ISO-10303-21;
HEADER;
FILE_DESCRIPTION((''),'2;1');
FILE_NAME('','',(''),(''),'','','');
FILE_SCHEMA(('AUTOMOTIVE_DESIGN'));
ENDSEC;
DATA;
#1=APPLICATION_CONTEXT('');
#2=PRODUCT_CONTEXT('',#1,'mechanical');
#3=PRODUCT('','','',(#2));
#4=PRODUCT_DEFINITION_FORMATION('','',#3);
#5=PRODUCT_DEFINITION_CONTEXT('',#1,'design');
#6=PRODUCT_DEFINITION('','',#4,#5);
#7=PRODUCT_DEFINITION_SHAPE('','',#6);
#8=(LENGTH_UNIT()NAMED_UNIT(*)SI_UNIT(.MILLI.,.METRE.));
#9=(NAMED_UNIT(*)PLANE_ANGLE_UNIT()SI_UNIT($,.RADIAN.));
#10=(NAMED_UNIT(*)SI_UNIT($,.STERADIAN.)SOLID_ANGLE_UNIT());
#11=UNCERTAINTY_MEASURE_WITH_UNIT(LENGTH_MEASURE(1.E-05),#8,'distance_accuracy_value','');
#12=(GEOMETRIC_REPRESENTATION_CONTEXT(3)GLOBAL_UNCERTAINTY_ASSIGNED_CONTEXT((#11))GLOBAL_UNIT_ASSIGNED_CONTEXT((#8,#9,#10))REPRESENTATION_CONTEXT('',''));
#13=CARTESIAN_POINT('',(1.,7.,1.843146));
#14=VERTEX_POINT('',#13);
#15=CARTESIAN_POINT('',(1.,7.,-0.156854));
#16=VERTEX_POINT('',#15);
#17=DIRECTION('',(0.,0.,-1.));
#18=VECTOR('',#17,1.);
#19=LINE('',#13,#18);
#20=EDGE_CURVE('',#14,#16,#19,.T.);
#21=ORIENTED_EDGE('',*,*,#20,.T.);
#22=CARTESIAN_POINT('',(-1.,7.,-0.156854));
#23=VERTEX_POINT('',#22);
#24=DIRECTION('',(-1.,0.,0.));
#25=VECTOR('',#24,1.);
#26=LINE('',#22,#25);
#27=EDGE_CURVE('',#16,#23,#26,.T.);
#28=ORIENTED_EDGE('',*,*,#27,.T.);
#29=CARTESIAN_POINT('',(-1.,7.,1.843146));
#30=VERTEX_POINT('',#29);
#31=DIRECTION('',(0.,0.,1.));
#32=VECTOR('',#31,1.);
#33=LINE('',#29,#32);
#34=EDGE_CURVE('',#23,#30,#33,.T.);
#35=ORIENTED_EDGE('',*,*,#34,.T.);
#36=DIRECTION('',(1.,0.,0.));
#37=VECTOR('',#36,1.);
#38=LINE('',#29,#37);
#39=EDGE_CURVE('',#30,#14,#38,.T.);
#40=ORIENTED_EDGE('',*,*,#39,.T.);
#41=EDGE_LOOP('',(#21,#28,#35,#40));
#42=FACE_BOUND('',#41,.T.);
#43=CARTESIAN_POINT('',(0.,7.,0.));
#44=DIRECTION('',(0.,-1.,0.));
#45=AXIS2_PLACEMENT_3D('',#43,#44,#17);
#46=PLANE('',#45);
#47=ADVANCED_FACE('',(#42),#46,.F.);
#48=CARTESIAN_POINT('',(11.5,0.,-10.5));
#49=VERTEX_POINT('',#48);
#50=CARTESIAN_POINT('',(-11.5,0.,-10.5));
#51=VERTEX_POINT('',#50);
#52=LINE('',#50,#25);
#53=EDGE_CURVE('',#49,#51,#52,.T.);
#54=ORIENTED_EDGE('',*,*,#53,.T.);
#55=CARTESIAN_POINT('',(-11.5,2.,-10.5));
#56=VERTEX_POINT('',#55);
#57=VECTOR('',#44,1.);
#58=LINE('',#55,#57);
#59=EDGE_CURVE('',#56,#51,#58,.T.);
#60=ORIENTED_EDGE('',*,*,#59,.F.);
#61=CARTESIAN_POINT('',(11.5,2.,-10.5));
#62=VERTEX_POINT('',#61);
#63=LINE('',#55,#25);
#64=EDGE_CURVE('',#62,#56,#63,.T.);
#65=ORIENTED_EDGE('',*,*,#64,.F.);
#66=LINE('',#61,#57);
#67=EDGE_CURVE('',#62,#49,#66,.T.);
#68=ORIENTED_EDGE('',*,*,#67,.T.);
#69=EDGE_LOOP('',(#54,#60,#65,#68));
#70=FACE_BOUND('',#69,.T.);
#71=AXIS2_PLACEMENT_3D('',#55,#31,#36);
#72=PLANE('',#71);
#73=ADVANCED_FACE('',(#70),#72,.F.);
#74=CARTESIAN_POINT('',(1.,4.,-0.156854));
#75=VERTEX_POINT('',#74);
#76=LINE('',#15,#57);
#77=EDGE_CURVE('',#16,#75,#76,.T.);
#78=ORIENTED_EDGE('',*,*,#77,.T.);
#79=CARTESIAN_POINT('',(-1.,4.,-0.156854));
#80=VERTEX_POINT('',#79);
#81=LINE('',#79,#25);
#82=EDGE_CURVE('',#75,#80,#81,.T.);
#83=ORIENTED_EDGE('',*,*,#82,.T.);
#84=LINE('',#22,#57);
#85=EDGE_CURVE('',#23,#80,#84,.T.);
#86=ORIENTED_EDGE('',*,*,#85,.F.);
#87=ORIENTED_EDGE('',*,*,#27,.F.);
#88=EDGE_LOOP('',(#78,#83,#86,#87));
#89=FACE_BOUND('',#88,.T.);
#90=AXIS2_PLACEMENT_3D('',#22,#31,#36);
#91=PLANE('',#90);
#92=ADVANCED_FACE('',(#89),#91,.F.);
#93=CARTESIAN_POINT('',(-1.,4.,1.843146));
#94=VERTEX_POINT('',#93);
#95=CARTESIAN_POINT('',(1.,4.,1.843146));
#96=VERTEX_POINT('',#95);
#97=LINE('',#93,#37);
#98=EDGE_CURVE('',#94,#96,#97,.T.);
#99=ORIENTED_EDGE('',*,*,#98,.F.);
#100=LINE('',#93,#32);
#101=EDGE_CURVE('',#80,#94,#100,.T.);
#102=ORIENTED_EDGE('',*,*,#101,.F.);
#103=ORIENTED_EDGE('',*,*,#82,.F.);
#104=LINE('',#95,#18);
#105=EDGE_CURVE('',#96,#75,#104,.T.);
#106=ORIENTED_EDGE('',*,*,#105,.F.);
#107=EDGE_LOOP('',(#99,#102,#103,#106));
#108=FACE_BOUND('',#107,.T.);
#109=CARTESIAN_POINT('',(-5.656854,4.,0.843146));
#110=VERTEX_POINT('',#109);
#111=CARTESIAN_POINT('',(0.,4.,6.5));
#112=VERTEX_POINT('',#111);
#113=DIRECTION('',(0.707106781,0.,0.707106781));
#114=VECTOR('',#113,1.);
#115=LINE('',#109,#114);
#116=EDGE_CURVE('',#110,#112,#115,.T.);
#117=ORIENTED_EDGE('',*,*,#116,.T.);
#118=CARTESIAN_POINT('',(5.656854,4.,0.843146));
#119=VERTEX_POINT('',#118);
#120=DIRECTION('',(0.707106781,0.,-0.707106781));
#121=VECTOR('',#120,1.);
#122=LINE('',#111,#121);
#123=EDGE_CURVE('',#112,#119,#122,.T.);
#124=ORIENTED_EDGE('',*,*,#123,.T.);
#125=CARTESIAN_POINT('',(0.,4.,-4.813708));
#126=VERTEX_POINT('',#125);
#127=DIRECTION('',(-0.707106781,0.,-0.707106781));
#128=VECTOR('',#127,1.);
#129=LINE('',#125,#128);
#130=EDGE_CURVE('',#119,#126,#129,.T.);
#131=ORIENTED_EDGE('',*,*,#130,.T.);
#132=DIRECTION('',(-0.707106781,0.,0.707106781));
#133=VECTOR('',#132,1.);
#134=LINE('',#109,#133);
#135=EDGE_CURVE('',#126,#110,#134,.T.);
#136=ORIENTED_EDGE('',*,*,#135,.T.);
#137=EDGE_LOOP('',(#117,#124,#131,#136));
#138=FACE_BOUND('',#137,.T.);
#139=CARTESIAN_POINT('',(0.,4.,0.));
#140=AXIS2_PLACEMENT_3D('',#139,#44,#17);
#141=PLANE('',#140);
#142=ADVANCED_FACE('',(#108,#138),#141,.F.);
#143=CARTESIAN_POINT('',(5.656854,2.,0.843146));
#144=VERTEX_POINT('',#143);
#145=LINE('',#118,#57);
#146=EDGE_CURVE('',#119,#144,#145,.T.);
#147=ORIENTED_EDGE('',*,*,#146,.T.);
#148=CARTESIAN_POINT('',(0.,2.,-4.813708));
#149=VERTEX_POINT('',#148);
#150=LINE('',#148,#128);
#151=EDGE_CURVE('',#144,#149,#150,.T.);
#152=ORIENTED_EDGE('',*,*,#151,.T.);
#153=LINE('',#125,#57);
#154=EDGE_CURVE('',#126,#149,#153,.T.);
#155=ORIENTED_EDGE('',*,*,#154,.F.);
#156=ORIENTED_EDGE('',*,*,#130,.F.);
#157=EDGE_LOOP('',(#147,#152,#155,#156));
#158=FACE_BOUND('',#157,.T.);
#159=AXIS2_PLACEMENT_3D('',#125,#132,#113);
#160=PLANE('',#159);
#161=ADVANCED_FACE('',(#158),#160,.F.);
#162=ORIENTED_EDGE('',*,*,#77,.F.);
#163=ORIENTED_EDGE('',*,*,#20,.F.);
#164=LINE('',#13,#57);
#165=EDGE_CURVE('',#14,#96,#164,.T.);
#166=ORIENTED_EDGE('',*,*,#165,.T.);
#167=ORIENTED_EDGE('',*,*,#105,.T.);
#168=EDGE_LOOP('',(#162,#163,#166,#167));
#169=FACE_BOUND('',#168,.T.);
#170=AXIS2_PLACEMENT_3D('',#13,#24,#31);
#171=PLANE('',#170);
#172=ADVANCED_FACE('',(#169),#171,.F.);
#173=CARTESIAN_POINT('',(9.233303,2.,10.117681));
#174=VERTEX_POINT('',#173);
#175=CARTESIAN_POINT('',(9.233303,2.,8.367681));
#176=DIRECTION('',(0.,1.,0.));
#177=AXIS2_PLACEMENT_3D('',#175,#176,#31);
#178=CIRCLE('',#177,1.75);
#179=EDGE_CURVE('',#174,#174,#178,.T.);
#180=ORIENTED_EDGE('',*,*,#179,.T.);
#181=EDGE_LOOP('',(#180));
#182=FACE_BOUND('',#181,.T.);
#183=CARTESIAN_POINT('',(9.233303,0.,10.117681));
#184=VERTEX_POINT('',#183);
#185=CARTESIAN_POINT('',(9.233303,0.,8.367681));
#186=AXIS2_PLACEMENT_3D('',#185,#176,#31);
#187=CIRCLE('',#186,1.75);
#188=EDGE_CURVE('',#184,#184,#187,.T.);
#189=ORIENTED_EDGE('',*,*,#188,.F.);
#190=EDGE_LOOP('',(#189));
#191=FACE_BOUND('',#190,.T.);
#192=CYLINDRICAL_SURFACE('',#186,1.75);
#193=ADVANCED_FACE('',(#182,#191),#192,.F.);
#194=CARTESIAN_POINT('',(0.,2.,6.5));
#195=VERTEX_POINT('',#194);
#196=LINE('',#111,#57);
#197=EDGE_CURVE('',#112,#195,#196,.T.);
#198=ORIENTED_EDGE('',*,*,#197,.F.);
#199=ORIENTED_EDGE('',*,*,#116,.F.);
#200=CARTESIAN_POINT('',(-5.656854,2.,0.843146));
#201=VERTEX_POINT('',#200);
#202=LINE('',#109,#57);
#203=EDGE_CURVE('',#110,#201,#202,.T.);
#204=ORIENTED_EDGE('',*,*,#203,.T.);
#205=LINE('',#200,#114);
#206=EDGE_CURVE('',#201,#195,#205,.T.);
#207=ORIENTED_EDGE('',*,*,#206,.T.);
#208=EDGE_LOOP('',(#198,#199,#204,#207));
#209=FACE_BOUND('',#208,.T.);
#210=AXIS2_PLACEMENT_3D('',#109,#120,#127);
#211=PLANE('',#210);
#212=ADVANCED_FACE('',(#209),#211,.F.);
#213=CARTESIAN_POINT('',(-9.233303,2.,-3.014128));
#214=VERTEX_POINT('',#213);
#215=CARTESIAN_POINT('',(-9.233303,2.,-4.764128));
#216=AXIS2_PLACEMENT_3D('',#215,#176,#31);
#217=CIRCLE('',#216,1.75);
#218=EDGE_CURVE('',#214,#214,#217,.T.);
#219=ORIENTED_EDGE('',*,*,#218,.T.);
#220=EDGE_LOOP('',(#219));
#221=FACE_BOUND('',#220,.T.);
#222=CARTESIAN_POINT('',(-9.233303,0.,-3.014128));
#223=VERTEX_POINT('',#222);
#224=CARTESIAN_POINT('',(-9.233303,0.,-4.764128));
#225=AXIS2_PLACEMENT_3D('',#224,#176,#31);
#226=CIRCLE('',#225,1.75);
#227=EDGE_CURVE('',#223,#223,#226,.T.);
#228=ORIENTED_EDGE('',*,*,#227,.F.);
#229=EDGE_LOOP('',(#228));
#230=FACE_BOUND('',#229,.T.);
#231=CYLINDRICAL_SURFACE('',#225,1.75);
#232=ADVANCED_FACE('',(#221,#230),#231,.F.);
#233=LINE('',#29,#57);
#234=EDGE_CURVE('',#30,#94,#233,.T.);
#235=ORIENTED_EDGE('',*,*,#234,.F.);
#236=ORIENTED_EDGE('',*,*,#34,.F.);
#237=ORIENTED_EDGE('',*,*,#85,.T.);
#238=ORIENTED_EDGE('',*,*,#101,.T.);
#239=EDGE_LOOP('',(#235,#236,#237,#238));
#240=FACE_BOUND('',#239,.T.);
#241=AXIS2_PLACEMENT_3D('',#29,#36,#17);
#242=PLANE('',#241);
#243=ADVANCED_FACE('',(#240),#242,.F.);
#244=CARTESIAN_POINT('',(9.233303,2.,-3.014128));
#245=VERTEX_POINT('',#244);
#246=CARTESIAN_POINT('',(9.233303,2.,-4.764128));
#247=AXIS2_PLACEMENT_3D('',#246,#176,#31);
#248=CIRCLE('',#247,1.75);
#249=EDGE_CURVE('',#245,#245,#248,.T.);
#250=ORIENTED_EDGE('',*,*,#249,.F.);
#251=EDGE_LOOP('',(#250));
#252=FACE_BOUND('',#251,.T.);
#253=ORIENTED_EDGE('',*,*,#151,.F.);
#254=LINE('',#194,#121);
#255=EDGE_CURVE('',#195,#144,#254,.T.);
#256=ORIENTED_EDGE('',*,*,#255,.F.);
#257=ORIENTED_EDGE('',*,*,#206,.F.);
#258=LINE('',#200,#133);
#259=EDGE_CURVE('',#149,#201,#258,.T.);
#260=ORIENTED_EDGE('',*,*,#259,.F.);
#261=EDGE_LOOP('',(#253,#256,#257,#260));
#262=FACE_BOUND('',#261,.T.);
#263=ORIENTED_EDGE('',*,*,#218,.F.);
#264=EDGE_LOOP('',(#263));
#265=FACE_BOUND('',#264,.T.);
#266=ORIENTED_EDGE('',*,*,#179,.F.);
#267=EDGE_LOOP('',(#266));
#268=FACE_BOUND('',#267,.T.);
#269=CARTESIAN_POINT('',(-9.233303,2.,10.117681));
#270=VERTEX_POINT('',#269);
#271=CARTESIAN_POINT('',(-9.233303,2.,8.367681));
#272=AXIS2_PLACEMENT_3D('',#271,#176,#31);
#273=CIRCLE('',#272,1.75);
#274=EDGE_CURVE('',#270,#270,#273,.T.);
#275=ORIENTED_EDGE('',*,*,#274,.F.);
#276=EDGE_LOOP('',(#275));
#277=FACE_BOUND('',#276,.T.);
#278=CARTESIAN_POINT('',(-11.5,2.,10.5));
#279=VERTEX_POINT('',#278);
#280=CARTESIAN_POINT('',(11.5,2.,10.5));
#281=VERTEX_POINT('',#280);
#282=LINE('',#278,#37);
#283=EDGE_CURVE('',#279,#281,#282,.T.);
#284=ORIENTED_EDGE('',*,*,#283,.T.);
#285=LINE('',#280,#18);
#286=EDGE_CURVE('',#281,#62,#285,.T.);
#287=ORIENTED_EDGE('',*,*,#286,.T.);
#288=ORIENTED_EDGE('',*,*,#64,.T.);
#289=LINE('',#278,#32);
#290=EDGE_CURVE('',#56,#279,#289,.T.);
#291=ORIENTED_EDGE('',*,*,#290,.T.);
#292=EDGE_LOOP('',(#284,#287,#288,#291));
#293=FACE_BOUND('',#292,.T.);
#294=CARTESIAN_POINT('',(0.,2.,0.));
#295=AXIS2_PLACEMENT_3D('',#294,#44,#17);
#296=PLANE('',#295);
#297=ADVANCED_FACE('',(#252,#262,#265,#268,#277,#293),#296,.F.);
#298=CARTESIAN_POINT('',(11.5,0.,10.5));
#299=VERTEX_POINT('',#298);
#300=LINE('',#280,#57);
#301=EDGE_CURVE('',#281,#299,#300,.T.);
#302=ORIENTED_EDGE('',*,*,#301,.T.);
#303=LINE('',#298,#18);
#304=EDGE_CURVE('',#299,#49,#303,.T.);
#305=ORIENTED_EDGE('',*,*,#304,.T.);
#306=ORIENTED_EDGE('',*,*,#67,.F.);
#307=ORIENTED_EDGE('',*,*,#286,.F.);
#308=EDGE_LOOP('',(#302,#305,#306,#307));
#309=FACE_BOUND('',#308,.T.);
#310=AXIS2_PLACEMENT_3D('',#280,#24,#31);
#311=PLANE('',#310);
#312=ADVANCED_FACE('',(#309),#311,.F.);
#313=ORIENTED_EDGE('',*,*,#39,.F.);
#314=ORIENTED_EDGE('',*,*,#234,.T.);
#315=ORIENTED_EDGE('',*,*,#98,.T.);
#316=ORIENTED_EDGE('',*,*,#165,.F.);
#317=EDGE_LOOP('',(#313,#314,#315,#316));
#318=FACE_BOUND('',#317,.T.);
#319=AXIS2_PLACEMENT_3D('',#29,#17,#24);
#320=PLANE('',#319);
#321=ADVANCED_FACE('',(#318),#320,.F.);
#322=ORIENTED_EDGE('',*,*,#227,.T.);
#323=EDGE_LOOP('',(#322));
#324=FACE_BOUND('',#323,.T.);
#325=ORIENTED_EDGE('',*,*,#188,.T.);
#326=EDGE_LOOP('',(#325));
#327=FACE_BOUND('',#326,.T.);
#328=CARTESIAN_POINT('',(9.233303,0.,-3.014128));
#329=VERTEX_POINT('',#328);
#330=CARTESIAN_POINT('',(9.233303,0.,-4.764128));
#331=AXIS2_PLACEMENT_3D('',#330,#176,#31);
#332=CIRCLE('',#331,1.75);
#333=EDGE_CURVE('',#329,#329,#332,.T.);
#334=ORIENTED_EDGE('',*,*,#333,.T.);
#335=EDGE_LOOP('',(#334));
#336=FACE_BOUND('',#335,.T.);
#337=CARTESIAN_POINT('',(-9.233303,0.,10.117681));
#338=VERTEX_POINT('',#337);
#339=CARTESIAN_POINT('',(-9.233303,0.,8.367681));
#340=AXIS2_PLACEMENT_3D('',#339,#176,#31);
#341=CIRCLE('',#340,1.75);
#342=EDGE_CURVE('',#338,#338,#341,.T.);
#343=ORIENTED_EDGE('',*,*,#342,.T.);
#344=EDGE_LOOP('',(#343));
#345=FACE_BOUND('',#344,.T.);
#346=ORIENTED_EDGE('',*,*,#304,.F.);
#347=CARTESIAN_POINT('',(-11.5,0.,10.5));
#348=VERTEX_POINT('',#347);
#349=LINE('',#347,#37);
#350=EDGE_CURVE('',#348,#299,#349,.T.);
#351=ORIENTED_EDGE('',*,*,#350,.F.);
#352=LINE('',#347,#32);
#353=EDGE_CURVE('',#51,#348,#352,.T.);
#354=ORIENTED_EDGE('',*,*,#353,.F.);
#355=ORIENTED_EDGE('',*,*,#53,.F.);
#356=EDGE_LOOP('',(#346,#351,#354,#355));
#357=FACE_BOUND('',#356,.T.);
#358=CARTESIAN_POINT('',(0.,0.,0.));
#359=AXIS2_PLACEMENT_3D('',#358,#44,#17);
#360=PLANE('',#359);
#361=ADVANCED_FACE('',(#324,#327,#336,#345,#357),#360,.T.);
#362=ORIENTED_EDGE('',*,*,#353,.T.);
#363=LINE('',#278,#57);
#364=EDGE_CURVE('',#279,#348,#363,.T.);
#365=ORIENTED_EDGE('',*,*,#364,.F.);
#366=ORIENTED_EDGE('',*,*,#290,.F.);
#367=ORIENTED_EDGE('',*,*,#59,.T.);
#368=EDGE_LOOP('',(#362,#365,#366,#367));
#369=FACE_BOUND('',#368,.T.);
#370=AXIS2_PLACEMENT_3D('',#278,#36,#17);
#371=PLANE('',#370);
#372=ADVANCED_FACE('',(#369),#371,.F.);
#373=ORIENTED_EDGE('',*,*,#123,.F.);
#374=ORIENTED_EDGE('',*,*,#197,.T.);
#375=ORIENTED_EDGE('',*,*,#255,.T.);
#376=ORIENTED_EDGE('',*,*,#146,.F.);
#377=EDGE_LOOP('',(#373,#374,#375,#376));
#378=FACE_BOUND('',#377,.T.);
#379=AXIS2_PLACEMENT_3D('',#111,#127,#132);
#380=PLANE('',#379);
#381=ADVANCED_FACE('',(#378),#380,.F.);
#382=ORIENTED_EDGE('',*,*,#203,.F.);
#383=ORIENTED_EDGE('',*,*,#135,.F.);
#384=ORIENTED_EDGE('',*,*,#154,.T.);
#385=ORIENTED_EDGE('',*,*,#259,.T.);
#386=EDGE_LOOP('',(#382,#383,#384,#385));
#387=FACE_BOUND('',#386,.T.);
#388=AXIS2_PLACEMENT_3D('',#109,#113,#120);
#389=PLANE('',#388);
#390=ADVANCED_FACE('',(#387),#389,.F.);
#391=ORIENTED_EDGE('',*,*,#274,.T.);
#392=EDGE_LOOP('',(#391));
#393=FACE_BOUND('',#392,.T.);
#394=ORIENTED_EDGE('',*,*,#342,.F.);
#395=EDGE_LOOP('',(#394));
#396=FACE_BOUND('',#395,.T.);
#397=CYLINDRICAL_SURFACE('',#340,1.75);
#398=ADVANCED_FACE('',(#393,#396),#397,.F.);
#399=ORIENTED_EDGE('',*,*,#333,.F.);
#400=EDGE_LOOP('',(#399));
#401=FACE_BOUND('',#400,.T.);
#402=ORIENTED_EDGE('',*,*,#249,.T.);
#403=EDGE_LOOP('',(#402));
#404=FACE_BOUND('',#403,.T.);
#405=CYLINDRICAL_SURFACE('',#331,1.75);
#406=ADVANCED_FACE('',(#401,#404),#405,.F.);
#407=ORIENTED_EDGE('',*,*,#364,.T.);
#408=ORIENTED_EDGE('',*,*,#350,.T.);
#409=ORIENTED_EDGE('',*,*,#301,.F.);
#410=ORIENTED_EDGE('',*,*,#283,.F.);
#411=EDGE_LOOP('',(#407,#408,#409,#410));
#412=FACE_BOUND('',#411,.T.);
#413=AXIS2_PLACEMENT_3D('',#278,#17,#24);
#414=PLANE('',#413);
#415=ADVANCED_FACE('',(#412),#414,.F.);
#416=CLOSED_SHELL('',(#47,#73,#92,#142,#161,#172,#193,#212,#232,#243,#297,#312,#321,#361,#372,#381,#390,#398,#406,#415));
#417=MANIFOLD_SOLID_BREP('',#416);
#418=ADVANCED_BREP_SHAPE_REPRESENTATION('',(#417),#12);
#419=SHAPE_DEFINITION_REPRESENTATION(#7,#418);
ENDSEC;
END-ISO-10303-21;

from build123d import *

# Parameters (mm, degrees)
SKETCH1_W           = 23
SKETCH1_H           = 21
BOSS_EXTRUDE1_DEPTH = 2
SKETCH2_R           = 1.75
CUT_EXTRUDE1_DEPTH  = 16.700318468
BOSS_EXTRUDE2_DEPTH = 2
SKETCH4_W           = 2
SKETCH4_H           = 2
BOSS_EXTRUDE3_DEPTH = 3


with BuildPart() as part:
    # Sketch1 → Boss-Extrude1 (new body)
    with BuildSketch(Plane(origin=(0, 0, 0), x_dir=(1, 0, 0), z_dir=(0, 1, 0))):
        Rectangle(SKETCH1_W, SKETCH1_H)
    extrude(amount=BOSS_EXTRUDE1_DEPTH)

    # Sketch2 → Cut-Extrude1 (cut, through all)
    with BuildSketch(Plane(origin=(0, 2, 0), x_dir=(1, 0, 0), z_dir=(0, 1, 0))):
        with Locations(Location((-9.233302989, -8.367680834, 0), (0, 0, 270))):
            Circle(SKETCH2_R)
        with Locations(Location((9.233302989, -8.367680834, 0), (0, 0, 270))):
            Circle(SKETCH2_R)
        with Locations(Location((9.233302989, 4.764127862, 0), (0, 0, 270))):
            Circle(SKETCH2_R)
        with Locations(Location((-9.233302989, 4.764127862, 0), (0, 0, 270))):
            Circle(SKETCH2_R)
    extrude(amount=-CUT_EXTRUDE1_DEPTH, mode=Mode.SUBTRACT)

    # Sketch3 → Boss-Extrude2 (add)
    with BuildSketch(Plane(origin=(0, 2, 0), x_dir=(1, 0, 0), z_dir=(0, 1, 0))):
        Polygon((-5.656854249, -0.843145751), (0, -6.5), (5.656854249, -0.843145751), (0, 4.813708499), align=None)
    extrude(amount=BOSS_EXTRUDE2_DEPTH)

    # Sketch4 → Boss-Extrude3 (add)
    with BuildSketch(Plane(origin=(0, 4, 0), x_dir=(1, 0, 0), z_dir=(0, 1, 0))):
        with Locations((0, -0.843145751)):
            Rectangle(SKETCH4_W, SKETCH4_H)
    extrude(amount=BOSS_EXTRUDE3_DEPTH)


solid = part.part
